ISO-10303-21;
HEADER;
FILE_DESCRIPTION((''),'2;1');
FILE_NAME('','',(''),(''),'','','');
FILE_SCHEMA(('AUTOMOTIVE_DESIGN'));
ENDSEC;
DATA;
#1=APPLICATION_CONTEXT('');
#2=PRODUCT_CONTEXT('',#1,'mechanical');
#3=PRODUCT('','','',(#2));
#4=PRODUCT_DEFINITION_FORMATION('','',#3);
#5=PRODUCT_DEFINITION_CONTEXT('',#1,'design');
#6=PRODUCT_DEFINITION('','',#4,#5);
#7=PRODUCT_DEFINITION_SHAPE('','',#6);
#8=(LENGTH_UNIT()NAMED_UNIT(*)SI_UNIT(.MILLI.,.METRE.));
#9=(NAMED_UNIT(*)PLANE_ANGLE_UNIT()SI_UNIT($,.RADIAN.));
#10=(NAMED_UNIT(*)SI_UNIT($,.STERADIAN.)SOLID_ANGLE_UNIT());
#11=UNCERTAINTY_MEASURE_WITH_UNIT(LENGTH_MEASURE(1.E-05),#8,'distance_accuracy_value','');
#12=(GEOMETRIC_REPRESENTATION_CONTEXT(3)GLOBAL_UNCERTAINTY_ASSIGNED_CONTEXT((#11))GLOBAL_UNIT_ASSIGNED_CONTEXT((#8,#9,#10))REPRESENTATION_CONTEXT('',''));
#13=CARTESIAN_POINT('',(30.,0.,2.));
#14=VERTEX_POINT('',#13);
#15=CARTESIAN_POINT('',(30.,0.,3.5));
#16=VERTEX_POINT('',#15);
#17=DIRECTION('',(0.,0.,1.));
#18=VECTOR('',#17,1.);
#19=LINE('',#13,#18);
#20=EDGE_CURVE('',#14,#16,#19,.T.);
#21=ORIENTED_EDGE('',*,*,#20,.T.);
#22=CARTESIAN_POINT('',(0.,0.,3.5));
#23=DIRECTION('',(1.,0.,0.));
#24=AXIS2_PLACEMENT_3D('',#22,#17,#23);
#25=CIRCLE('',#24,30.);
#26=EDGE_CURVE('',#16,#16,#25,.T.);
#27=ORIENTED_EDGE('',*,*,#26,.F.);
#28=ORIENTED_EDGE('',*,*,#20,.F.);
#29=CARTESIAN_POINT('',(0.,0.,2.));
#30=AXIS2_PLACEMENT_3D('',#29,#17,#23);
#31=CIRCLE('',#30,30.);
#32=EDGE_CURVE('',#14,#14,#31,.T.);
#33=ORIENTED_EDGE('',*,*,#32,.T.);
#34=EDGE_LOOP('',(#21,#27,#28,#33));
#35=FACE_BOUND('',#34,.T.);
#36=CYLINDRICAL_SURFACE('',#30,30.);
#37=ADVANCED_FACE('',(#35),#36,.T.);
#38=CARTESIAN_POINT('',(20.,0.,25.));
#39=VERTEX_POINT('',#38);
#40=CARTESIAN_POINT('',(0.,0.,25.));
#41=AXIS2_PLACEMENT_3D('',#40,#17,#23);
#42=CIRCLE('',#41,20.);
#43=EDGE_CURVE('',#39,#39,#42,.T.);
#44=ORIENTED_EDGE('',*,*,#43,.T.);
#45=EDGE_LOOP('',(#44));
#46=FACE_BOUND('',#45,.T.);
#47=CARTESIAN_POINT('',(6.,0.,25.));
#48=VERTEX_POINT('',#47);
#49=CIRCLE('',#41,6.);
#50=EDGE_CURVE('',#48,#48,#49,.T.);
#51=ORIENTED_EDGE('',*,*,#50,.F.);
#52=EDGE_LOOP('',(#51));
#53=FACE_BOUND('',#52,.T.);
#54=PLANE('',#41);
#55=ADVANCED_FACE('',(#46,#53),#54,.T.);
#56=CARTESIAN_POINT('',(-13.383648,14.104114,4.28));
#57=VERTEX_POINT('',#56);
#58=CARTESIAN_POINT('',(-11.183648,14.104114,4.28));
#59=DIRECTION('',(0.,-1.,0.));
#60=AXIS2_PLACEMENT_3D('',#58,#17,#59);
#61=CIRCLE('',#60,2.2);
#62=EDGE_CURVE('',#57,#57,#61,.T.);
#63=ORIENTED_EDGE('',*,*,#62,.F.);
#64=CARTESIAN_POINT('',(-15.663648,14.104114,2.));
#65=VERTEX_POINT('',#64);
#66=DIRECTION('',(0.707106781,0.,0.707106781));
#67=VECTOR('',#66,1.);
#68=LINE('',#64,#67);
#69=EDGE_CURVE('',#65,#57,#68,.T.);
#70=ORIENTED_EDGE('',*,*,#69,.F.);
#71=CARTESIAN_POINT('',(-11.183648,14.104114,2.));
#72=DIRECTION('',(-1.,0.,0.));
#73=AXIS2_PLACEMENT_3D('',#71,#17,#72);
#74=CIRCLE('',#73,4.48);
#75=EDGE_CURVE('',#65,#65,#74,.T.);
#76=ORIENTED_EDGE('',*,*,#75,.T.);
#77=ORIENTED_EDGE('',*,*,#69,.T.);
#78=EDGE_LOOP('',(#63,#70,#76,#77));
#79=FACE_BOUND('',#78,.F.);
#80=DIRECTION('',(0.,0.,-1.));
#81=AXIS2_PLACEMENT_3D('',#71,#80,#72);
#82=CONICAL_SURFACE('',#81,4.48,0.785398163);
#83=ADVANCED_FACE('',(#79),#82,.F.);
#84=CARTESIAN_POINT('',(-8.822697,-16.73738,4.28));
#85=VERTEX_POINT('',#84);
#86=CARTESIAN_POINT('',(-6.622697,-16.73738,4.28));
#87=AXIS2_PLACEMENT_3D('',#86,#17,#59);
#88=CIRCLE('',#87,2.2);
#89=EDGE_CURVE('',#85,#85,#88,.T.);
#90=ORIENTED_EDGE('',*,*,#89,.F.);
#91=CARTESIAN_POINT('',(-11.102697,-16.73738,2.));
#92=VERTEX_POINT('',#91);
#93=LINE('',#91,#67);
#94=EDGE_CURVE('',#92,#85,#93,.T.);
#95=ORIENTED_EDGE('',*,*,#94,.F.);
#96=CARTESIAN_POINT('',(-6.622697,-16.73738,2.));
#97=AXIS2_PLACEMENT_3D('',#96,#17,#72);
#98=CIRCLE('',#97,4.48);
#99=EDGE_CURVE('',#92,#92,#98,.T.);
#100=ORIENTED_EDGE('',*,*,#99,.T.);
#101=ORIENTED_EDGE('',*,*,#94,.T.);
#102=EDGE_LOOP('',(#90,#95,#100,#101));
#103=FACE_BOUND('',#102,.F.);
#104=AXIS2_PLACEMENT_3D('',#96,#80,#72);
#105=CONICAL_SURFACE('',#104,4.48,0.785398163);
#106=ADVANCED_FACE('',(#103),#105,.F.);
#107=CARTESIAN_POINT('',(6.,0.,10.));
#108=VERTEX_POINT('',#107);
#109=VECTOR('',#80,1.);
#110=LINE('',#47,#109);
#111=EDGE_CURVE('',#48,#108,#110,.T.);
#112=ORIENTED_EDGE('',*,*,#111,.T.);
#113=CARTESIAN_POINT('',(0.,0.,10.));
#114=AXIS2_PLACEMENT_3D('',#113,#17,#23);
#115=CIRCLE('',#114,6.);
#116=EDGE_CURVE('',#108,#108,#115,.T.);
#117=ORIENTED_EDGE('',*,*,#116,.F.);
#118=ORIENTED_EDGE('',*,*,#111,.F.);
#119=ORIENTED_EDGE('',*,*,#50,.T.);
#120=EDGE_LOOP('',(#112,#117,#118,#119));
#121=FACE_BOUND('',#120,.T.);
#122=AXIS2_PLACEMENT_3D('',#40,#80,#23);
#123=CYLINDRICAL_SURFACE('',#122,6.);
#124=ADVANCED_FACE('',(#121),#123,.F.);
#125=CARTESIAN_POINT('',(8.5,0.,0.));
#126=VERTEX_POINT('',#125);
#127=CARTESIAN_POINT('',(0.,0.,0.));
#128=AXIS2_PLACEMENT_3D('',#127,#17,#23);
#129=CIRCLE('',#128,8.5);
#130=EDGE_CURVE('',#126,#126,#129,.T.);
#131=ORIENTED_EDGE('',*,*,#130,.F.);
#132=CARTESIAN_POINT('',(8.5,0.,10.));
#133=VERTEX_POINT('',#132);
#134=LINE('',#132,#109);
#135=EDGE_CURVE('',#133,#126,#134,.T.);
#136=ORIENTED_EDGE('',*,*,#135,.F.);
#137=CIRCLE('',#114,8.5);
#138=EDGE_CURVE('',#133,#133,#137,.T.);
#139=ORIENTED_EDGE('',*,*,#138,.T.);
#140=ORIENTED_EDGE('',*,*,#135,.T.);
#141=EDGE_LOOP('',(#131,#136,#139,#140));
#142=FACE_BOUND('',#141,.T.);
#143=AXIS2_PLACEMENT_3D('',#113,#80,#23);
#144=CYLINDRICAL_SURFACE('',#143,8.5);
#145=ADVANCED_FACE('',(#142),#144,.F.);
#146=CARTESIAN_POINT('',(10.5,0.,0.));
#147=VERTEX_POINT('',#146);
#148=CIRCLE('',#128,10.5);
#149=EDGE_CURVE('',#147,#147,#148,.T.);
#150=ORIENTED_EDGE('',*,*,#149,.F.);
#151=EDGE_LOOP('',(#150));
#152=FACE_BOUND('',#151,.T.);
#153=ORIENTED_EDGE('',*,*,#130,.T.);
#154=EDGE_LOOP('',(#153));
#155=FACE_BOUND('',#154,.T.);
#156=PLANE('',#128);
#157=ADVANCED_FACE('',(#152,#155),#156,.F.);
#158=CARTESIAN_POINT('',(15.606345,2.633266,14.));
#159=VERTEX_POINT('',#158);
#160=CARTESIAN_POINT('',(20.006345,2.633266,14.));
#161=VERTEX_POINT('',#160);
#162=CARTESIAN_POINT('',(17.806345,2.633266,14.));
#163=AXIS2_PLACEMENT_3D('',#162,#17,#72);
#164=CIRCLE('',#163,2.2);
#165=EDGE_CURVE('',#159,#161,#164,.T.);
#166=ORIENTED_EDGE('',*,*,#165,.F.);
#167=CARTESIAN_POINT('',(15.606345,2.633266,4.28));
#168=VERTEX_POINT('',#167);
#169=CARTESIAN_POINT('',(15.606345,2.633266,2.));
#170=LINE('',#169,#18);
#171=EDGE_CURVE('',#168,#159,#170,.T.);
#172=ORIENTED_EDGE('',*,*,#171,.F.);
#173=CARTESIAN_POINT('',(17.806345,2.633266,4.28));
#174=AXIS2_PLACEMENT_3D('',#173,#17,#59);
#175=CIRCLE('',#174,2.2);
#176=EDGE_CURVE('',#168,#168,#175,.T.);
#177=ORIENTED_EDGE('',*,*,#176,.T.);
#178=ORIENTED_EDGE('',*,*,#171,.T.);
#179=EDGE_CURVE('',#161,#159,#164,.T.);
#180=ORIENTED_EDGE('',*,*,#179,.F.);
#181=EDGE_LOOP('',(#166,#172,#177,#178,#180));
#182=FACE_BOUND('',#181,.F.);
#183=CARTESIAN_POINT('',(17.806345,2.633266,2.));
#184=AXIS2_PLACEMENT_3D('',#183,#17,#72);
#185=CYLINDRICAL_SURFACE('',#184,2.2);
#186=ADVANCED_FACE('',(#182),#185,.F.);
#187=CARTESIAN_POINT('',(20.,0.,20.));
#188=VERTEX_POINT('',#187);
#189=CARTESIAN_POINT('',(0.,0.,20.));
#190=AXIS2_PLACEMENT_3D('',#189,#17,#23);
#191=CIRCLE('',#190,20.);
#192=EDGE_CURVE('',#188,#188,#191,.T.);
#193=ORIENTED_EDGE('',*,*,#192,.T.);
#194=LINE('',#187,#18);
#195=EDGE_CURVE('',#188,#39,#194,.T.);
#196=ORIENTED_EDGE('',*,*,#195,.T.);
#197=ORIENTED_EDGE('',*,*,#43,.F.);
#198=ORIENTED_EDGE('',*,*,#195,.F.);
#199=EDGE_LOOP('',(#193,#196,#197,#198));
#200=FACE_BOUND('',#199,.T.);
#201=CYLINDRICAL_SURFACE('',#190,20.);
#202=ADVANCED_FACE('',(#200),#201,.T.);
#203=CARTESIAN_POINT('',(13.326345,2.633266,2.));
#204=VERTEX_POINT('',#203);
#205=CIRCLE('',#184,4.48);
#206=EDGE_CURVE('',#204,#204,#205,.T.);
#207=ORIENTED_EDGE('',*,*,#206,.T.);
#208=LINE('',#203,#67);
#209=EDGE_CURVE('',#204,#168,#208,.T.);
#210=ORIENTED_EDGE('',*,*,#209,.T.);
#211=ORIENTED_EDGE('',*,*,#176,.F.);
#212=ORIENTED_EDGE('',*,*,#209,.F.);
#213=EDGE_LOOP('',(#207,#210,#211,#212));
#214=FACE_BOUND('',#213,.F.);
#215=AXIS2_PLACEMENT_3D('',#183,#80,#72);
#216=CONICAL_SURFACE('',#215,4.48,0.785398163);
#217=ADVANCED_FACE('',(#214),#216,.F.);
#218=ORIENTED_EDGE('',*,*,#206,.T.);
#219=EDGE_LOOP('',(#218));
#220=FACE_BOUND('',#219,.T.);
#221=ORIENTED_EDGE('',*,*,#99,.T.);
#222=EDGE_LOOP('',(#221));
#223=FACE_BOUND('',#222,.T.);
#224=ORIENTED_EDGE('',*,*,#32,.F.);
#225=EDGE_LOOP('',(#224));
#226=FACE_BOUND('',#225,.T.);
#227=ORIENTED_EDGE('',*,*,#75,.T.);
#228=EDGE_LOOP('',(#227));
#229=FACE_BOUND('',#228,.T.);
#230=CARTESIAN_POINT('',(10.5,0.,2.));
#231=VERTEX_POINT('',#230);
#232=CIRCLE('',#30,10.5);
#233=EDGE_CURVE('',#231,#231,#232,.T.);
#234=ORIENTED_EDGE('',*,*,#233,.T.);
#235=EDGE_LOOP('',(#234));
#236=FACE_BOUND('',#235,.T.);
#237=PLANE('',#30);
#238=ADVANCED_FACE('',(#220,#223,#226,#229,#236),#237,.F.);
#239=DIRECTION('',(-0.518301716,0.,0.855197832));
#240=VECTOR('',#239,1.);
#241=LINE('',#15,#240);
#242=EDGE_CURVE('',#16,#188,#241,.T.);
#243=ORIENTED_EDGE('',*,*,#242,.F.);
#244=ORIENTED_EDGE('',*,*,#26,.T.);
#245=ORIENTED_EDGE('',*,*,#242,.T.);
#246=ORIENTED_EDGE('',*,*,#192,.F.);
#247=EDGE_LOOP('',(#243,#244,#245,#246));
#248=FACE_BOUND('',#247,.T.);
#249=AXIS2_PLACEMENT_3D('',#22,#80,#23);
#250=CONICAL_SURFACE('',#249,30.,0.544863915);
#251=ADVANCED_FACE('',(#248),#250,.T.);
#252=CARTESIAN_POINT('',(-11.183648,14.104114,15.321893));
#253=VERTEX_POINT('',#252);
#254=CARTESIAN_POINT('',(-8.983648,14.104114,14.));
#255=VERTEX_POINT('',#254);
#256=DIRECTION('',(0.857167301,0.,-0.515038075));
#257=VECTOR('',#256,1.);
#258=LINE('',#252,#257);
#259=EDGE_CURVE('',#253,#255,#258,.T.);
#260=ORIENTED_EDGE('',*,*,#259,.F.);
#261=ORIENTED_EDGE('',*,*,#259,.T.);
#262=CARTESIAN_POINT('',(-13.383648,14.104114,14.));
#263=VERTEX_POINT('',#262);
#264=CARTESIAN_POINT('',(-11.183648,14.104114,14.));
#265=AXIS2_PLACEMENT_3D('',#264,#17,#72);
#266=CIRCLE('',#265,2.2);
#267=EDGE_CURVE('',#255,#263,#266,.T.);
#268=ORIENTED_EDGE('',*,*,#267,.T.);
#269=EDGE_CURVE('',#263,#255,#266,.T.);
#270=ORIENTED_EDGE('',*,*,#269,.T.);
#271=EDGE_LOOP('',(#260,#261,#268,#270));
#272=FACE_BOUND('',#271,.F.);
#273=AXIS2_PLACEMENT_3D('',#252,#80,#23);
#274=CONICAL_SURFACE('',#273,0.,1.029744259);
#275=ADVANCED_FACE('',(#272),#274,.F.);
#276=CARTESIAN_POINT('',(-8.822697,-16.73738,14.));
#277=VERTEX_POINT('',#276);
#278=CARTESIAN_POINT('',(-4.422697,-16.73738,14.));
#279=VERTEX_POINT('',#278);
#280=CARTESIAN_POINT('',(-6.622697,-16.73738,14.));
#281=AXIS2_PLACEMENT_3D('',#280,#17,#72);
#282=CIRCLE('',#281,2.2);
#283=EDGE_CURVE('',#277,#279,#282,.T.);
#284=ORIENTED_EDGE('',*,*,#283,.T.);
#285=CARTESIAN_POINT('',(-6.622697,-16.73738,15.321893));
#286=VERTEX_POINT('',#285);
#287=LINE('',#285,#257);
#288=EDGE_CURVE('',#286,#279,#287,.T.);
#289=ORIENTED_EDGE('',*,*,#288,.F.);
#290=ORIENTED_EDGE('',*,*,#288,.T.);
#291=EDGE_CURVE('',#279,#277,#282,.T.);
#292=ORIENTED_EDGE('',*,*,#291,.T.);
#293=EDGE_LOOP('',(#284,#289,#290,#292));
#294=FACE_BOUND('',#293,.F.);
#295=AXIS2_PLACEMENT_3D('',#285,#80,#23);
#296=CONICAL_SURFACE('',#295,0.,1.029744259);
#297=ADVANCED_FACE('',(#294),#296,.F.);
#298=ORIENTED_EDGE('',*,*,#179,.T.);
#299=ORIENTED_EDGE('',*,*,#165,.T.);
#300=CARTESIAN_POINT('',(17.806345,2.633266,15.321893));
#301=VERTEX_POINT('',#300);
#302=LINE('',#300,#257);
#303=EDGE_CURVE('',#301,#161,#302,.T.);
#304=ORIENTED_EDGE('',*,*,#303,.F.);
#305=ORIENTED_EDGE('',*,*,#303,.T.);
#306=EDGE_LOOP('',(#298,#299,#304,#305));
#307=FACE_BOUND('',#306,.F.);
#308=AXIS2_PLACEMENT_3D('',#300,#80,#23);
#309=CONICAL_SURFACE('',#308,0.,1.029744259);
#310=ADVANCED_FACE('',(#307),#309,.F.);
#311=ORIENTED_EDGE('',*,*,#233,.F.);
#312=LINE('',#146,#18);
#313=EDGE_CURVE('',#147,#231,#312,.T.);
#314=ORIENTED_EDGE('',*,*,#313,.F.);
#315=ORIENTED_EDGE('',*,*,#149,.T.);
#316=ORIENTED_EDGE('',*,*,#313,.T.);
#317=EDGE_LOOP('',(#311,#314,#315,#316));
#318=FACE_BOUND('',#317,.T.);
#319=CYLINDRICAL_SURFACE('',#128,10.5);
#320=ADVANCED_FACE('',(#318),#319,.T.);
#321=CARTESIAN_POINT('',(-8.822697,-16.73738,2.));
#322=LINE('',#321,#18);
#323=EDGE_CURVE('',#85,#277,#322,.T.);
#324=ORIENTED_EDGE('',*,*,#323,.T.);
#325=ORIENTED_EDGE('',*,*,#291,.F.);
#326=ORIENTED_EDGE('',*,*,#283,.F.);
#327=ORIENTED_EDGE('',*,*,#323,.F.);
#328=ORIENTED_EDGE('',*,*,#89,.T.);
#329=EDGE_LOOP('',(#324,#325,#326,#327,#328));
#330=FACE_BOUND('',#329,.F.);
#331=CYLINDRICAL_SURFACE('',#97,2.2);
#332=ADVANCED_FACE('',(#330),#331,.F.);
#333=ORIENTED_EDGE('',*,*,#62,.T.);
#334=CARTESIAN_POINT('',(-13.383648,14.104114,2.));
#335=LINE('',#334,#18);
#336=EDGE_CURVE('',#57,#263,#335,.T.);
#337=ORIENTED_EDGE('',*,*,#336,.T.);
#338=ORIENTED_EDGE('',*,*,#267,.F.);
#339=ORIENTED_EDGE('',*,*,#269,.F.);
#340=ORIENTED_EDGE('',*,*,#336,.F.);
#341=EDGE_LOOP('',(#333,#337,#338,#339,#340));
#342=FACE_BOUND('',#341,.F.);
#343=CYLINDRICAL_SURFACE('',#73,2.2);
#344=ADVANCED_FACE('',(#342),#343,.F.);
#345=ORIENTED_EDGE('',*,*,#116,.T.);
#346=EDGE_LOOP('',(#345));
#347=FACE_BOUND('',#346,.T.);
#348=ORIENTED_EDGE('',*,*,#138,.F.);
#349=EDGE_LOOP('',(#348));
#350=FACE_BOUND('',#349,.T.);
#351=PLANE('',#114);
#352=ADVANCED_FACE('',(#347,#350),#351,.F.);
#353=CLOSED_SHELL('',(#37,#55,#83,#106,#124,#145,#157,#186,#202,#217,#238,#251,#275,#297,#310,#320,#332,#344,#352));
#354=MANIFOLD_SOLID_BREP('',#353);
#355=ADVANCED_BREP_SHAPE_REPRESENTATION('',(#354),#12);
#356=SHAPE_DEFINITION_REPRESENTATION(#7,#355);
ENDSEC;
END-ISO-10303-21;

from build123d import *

# Parameters (mm, degrees)
F3_D           = 4.4
F3_DEPTH       = 12
F3_CSINK_D     = 8.96
F3_CSINK_ANGLE = 90
F3_TIP         = 1.3218933619


with BuildPart() as f1:
    # F0 (on Front) → F1 (revolve)
    with BuildSketch(Plane.XZ):
        Polygon((20, 25), (6, 25), (6, 10), (8.5, 10), (8.5, 0), (10.5, 0), (10.5, 2), (30, 2), (30, 3.5), (20, 20), align=None)
    revolve(axis=Axis((0, 0, 16.9775635981), (0, 0, 1)))

    # F3
    with Locations(Plane(origin=(0, 0, 2), x_dir=(1, 0, 0), z_dir=(0, 0, -1))):
        with Locations((-6.6226971572, 16.7373797938), (-11.1836475156, -14.1041138767), (17.8063446729, -2.6332659172)):
            CounterSinkHole(F3_D / 2, F3_CSINK_D / 2, depth=F3_DEPTH, counter_sink_angle=F3_CSINK_ANGLE)
            with Locations((0, 0, -(F3_DEPTH + F3_TIP / 2))):  # 118° drill point
                Cone(0, F3_D / 2, F3_TIP, mode=Mode.SUBTRACT)


solid = f1.part
